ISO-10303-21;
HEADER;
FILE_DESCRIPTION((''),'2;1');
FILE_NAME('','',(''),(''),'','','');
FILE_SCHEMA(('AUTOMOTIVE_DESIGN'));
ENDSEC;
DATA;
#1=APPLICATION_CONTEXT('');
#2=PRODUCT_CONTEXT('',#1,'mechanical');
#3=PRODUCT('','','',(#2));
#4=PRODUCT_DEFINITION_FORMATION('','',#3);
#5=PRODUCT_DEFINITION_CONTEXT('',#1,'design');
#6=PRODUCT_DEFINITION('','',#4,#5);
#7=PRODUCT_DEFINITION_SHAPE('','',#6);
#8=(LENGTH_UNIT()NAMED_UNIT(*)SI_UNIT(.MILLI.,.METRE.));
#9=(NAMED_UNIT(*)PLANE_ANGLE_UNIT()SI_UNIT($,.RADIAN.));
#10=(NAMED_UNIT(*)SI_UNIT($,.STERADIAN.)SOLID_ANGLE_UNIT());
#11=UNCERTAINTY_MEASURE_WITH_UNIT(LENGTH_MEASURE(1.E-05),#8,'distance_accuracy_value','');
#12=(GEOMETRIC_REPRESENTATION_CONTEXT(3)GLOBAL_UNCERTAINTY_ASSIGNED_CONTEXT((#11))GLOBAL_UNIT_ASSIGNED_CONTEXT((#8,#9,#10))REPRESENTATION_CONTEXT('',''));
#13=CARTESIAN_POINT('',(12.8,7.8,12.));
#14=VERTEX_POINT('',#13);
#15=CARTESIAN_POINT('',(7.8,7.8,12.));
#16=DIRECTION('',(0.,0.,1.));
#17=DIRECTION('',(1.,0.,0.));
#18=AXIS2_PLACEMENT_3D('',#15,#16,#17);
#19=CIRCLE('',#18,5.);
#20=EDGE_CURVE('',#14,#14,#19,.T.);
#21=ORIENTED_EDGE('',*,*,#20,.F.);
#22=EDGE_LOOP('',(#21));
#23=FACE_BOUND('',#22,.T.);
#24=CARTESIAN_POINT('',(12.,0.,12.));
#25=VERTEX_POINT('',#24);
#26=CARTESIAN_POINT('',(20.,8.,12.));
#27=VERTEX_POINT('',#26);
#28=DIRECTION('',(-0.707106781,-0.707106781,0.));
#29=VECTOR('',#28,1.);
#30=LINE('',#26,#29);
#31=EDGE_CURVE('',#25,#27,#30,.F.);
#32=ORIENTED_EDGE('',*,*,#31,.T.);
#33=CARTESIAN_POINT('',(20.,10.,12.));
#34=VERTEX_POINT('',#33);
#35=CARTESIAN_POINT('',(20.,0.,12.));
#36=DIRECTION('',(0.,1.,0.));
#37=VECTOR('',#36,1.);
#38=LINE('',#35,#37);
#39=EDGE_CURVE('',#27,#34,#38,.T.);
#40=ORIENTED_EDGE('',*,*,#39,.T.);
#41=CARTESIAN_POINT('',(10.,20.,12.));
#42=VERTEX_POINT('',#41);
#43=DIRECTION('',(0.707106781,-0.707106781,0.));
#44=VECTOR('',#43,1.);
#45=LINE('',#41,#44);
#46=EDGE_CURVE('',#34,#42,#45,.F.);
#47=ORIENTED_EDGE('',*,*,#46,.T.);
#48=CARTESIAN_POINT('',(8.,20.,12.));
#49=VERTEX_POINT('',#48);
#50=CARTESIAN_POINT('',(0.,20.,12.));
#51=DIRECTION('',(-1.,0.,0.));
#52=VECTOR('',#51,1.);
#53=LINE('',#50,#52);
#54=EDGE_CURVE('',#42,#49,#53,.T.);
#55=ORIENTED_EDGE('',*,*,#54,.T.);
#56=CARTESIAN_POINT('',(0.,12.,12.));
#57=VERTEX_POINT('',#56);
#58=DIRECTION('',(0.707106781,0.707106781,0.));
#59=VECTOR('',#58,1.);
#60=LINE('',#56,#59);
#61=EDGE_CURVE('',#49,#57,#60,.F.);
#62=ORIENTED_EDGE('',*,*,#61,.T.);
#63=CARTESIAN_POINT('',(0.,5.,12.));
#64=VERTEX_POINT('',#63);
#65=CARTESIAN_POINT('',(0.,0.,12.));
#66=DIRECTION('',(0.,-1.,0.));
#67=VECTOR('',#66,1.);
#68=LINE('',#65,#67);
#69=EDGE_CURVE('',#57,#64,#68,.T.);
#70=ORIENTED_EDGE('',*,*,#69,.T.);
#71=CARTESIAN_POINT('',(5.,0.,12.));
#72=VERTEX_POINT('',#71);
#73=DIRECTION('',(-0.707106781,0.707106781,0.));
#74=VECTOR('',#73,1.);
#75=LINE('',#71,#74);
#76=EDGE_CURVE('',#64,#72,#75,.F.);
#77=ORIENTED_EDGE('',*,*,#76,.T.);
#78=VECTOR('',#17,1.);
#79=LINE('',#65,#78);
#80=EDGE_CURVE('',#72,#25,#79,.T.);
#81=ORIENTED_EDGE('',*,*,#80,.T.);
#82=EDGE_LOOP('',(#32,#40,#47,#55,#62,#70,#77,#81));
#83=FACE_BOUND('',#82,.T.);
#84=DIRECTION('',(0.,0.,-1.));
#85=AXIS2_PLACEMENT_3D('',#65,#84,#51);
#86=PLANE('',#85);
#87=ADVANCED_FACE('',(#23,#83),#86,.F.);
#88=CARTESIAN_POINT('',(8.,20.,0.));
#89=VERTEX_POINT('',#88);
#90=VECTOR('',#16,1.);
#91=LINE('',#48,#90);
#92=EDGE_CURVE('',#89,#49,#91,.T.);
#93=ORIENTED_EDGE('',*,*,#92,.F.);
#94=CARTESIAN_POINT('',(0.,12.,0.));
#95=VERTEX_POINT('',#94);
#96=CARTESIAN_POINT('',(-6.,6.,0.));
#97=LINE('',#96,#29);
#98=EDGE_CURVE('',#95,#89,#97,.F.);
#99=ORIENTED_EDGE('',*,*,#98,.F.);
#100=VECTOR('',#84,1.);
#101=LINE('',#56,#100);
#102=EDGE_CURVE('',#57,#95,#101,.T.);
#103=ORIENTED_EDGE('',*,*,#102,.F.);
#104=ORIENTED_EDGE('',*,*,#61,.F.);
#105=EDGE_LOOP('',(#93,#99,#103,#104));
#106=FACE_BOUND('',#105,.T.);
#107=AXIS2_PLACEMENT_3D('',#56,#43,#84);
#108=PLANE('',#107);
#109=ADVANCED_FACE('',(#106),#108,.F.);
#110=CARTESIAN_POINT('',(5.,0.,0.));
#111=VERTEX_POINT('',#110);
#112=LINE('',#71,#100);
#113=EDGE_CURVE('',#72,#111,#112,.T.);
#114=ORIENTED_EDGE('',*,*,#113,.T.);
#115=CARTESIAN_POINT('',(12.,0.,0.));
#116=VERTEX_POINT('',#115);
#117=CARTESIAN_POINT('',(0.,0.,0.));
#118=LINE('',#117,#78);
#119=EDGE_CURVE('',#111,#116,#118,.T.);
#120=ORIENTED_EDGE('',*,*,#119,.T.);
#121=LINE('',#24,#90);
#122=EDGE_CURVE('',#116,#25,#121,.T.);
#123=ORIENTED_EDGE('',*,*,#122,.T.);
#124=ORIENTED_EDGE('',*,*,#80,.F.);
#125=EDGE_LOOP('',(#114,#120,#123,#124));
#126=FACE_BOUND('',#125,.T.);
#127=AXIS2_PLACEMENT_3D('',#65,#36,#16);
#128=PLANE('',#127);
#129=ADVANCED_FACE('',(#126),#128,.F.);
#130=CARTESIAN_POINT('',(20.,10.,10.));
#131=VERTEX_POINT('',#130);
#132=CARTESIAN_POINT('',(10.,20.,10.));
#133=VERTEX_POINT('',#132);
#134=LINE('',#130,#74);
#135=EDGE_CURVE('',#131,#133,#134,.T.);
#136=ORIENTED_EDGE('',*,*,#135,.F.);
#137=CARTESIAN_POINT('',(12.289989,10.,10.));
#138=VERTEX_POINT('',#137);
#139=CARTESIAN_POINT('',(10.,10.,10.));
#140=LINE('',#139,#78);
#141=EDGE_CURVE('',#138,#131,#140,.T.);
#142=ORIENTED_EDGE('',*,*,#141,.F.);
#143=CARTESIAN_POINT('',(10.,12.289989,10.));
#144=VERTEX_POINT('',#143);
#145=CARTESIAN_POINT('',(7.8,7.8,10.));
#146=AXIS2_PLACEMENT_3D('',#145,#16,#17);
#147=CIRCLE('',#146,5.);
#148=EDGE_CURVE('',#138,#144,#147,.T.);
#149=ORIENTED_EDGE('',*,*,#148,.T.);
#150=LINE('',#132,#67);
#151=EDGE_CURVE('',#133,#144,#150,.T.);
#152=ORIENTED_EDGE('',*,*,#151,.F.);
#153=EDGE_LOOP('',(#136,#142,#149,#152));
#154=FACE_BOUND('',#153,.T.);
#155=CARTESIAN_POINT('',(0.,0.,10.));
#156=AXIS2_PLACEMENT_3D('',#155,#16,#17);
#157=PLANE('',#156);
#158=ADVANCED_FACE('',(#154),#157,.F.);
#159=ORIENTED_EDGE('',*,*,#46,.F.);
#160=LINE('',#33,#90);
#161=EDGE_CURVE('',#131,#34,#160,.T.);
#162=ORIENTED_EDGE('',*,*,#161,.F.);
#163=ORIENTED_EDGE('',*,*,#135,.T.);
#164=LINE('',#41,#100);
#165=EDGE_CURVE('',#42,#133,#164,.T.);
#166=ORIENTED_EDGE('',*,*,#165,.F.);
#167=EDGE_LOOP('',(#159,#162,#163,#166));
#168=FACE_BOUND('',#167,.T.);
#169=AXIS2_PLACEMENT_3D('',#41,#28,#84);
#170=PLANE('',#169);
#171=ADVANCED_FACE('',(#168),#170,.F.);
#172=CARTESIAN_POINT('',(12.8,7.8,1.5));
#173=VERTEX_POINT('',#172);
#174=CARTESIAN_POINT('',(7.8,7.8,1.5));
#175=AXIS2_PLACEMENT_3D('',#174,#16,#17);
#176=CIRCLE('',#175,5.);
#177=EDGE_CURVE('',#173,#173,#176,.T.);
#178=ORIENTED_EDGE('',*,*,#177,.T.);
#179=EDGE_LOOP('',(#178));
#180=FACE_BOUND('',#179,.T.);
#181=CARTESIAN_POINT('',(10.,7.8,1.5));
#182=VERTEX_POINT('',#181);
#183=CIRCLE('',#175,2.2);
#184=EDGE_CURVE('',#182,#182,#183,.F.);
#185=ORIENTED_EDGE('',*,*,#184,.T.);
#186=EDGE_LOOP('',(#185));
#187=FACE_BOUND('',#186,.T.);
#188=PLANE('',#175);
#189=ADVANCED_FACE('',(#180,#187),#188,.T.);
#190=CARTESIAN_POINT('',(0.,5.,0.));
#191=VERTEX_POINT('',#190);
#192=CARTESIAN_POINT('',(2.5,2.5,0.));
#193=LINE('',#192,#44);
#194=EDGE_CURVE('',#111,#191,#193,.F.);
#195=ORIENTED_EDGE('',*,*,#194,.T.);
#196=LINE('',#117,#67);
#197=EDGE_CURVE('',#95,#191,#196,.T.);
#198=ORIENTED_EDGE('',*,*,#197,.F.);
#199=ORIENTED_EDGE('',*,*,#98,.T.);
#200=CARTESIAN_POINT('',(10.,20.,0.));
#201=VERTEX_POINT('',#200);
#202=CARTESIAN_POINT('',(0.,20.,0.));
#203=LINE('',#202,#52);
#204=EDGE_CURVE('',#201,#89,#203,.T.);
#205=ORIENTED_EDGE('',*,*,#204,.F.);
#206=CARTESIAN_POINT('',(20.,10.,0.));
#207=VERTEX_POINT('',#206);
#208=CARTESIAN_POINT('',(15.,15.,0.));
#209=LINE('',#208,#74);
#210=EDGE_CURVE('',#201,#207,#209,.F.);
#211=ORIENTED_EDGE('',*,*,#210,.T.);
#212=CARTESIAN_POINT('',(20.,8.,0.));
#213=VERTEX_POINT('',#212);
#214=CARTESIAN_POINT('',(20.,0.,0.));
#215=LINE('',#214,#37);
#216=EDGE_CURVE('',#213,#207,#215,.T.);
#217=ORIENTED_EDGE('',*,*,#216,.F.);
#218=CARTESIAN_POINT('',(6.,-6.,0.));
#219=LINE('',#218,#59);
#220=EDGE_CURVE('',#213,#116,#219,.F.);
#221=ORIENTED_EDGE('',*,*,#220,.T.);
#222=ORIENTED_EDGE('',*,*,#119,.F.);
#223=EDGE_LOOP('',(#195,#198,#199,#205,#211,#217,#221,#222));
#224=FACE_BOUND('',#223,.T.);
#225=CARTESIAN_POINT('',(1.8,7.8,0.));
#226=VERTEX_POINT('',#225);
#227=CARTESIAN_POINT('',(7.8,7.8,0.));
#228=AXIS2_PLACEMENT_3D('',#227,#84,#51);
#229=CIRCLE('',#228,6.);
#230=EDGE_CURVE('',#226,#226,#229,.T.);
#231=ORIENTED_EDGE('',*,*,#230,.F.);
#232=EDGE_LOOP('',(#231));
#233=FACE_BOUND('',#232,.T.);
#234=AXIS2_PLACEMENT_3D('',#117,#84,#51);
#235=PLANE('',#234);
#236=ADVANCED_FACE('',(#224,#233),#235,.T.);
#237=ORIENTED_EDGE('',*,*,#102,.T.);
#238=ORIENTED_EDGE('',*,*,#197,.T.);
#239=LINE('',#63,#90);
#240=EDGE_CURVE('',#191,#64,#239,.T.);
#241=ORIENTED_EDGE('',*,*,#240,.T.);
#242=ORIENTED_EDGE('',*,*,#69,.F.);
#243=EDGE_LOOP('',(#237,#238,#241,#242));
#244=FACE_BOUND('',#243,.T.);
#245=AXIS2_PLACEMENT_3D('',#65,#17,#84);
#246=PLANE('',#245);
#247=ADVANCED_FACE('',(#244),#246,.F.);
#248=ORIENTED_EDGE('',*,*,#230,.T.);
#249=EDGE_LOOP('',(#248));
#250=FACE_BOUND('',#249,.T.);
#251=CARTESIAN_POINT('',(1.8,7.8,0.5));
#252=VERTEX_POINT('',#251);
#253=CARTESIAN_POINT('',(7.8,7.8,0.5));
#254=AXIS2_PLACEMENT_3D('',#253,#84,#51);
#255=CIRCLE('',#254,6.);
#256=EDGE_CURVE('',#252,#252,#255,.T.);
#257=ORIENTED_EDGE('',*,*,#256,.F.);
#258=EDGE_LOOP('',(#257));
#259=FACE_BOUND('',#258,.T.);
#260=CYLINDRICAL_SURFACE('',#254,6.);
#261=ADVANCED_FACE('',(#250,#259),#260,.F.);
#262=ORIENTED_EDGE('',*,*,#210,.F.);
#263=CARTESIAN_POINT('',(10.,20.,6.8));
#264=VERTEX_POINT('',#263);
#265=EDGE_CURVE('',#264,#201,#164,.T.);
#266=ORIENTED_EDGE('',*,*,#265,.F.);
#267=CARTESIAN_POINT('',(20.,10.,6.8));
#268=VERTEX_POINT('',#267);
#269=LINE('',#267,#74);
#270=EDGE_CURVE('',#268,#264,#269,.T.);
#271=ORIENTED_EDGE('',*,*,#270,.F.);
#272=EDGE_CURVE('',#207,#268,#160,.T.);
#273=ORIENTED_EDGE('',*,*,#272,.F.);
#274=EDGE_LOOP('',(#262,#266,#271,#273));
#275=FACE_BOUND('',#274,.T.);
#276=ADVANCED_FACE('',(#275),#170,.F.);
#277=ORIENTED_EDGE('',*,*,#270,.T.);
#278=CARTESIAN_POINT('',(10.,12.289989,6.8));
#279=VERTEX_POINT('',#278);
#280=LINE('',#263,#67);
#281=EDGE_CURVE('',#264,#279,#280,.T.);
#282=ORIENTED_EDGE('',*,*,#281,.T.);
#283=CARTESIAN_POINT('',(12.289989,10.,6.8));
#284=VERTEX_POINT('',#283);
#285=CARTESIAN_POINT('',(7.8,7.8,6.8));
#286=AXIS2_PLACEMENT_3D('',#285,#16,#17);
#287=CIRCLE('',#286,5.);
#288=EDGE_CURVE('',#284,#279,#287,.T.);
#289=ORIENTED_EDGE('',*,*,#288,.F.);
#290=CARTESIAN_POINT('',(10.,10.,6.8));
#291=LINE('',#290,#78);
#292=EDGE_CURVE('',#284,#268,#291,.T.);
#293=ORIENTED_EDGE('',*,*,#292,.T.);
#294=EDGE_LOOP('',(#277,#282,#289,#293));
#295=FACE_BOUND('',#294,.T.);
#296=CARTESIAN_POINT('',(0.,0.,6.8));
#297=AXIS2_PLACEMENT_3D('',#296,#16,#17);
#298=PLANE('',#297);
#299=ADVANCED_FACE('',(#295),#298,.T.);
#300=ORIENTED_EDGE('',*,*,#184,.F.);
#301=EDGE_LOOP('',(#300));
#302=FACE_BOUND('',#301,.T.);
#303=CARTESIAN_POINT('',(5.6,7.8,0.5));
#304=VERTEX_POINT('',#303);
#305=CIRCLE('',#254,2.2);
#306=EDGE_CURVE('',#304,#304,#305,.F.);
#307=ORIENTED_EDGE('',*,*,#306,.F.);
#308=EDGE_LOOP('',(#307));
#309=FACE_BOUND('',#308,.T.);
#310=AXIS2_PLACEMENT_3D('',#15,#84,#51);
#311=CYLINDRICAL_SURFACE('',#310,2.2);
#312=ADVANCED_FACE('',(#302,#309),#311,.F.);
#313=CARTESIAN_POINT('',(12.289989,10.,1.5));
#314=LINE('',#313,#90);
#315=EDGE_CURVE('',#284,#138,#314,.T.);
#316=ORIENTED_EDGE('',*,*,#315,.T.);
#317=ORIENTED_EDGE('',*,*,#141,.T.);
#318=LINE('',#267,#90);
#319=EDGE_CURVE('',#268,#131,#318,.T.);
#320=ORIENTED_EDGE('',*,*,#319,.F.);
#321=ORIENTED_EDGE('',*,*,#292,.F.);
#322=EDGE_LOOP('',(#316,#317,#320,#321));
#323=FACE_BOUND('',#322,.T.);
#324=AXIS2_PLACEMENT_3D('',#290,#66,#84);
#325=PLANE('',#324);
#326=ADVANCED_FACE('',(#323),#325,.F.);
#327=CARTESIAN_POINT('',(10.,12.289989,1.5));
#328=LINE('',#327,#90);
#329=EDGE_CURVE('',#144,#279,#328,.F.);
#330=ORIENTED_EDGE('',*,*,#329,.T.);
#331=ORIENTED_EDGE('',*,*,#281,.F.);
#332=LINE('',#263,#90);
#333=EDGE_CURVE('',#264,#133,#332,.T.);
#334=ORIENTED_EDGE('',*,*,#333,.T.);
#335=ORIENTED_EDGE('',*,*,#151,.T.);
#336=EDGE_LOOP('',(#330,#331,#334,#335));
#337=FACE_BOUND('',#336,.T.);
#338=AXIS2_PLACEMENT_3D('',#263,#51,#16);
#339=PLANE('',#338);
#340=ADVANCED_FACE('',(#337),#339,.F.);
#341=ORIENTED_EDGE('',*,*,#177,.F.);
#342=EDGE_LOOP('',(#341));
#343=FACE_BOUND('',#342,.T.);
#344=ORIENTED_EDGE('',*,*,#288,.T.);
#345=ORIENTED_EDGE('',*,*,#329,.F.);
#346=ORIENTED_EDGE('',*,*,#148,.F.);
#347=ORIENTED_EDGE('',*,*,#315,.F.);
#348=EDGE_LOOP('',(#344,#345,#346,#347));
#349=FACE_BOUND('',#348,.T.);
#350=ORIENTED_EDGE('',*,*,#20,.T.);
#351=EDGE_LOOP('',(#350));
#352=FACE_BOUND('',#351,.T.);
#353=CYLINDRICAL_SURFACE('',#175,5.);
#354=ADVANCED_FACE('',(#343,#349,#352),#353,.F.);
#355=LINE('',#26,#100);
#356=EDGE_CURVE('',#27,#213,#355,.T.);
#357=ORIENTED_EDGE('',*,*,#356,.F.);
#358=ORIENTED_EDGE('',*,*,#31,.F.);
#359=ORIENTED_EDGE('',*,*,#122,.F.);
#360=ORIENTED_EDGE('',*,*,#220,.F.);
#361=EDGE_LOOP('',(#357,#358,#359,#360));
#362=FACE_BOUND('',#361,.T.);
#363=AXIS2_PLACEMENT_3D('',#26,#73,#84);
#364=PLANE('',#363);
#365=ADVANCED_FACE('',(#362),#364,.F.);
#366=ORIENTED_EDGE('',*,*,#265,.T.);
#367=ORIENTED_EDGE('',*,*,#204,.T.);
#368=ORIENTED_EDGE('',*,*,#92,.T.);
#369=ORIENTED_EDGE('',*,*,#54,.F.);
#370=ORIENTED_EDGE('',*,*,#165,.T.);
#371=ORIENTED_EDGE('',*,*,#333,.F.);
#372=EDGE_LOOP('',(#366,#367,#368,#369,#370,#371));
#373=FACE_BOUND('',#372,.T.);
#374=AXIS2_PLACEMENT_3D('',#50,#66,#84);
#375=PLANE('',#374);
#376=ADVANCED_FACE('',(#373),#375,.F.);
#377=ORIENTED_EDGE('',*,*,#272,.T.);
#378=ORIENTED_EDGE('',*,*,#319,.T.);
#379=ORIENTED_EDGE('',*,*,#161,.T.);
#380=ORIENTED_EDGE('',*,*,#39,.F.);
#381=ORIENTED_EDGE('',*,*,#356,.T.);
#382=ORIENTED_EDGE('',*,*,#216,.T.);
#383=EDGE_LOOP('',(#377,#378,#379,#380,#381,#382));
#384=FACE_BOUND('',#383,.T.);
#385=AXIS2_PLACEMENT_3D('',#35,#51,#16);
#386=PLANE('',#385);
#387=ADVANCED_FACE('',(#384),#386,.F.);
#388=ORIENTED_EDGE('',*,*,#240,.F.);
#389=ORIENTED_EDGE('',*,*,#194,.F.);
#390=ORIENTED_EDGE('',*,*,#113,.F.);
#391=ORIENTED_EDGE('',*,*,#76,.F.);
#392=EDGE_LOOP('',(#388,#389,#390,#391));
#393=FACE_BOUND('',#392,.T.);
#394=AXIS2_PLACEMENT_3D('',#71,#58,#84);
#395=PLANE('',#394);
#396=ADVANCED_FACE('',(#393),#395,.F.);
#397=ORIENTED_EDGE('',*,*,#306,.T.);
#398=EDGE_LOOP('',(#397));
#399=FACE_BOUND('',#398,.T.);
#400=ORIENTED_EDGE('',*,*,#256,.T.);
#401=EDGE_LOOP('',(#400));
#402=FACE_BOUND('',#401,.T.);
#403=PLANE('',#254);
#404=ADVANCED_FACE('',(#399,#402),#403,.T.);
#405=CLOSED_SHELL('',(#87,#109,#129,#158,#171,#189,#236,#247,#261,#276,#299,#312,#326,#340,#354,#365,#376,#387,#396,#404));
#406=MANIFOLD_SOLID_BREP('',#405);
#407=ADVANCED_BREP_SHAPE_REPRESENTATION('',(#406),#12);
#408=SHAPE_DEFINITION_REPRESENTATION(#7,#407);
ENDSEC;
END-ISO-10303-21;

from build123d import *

# Parameters (mm, degrees)
ESQUISSE1_W             = 20
ESQUISSE1_H             = 20
BOSS_EXTRU_1_DEPTH      = 12
CHANFREIN1_SIZE         = 10
ENL_V_START             = -2
ENL_V_MAT_EXTRU_1_DEPTH = 3.2
ESQUISSE3_R             = 2.2
ENL_V_MAT_EXTRU_2_DEPTH = 13
ESQUISSE4_R             = 5
ENL_V_MAT_EXTRU_3_DEPTH = 10.5
CHANFREIN2_SIZE         = 5
CHANFREIN3_SIZE         = 8
SKETCH1_R               = 6
CUT_EXTRUDE1_DEPTH      = 0.5


with BuildPart() as part:
    # Esquisse1 → Boss.-Extru.1 (new body)
    with BuildSketch(Plane.XY):
        with Locations((10, 10)):
            Rectangle(ESQUISSE1_W, ESQUISSE1_H)
    extrude(amount=BOSS_EXTRU_1_DEPTH)

    # Chanfrein1
    chanfrein1_edges = [part.edges().sort_by_distance(p)[0] for p in [
        (20, 20, 6),
    ]]
    chamfer(chanfrein1_edges, length=CHANFREIN1_SIZE)

    # Esquisse2 → Enlèv. mat.-Extru.1 (cut)
    with BuildSketch(Plane.XY.offset(12).offset(ENL_V_START)):
        Polygon((10, 20), (10, 10), (20, 10), align=None)
    extrude(amount=-ENL_V_MAT_EXTRU_1_DEPTH, mode=Mode.SUBTRACT)

    # Esquisse3 → Enlèv. mat.-Extru.2 (cut, through all)
    with BuildSketch(Plane(origin=(0, 0, 0), x_dir=(-1, 0, 0), z_dir=(0, 0, -1))):
        with Locations((-7.8, 7.8)):
            Circle(ESQUISSE3_R)
    extrude(amount=-ENL_V_MAT_EXTRU_2_DEPTH, mode=Mode.SUBTRACT)

    # Esquisse4 → Enlèv. mat.-Extru.3 (cut)
    with BuildSketch(Plane.XY.offset(12)):
        with Locations((7.8, 7.8)):
            Circle(ESQUISSE4_R)
    extrude(amount=-ENL_V_MAT_EXTRU_3_DEPTH, mode=Mode.SUBTRACT)

    # Chanfrein2
    chanfrein2_edges = [part.edges().sort_by_distance(p)[0] for p in [
        (0, 0, 6),
    ]]
    chamfer(chanfrein2_edges, length=CHANFREIN2_SIZE)

    # Chanfrein3
    chanfrein3_edges = [part.edges().sort_by_distance(p)[0] for p in [
        (0, 20, 6),
        (20, 0, 6),
    ]]
    chamfer(chanfrein3_edges, length=CHANFREIN3_SIZE)

    # Sketch1 → Cut-Extrude1 (cut)
    with BuildSketch(Plane(origin=(0, 0, 0), x_dir=(-1, 0, 0), z_dir=(0, 0, -1))):
        with Locations((-7.8, 7.8)):
            Circle(SKETCH1_R)
    extrude(amount=-CUT_EXTRUDE1_DEPTH, mode=Mode.SUBTRACT)


solid = part.part
